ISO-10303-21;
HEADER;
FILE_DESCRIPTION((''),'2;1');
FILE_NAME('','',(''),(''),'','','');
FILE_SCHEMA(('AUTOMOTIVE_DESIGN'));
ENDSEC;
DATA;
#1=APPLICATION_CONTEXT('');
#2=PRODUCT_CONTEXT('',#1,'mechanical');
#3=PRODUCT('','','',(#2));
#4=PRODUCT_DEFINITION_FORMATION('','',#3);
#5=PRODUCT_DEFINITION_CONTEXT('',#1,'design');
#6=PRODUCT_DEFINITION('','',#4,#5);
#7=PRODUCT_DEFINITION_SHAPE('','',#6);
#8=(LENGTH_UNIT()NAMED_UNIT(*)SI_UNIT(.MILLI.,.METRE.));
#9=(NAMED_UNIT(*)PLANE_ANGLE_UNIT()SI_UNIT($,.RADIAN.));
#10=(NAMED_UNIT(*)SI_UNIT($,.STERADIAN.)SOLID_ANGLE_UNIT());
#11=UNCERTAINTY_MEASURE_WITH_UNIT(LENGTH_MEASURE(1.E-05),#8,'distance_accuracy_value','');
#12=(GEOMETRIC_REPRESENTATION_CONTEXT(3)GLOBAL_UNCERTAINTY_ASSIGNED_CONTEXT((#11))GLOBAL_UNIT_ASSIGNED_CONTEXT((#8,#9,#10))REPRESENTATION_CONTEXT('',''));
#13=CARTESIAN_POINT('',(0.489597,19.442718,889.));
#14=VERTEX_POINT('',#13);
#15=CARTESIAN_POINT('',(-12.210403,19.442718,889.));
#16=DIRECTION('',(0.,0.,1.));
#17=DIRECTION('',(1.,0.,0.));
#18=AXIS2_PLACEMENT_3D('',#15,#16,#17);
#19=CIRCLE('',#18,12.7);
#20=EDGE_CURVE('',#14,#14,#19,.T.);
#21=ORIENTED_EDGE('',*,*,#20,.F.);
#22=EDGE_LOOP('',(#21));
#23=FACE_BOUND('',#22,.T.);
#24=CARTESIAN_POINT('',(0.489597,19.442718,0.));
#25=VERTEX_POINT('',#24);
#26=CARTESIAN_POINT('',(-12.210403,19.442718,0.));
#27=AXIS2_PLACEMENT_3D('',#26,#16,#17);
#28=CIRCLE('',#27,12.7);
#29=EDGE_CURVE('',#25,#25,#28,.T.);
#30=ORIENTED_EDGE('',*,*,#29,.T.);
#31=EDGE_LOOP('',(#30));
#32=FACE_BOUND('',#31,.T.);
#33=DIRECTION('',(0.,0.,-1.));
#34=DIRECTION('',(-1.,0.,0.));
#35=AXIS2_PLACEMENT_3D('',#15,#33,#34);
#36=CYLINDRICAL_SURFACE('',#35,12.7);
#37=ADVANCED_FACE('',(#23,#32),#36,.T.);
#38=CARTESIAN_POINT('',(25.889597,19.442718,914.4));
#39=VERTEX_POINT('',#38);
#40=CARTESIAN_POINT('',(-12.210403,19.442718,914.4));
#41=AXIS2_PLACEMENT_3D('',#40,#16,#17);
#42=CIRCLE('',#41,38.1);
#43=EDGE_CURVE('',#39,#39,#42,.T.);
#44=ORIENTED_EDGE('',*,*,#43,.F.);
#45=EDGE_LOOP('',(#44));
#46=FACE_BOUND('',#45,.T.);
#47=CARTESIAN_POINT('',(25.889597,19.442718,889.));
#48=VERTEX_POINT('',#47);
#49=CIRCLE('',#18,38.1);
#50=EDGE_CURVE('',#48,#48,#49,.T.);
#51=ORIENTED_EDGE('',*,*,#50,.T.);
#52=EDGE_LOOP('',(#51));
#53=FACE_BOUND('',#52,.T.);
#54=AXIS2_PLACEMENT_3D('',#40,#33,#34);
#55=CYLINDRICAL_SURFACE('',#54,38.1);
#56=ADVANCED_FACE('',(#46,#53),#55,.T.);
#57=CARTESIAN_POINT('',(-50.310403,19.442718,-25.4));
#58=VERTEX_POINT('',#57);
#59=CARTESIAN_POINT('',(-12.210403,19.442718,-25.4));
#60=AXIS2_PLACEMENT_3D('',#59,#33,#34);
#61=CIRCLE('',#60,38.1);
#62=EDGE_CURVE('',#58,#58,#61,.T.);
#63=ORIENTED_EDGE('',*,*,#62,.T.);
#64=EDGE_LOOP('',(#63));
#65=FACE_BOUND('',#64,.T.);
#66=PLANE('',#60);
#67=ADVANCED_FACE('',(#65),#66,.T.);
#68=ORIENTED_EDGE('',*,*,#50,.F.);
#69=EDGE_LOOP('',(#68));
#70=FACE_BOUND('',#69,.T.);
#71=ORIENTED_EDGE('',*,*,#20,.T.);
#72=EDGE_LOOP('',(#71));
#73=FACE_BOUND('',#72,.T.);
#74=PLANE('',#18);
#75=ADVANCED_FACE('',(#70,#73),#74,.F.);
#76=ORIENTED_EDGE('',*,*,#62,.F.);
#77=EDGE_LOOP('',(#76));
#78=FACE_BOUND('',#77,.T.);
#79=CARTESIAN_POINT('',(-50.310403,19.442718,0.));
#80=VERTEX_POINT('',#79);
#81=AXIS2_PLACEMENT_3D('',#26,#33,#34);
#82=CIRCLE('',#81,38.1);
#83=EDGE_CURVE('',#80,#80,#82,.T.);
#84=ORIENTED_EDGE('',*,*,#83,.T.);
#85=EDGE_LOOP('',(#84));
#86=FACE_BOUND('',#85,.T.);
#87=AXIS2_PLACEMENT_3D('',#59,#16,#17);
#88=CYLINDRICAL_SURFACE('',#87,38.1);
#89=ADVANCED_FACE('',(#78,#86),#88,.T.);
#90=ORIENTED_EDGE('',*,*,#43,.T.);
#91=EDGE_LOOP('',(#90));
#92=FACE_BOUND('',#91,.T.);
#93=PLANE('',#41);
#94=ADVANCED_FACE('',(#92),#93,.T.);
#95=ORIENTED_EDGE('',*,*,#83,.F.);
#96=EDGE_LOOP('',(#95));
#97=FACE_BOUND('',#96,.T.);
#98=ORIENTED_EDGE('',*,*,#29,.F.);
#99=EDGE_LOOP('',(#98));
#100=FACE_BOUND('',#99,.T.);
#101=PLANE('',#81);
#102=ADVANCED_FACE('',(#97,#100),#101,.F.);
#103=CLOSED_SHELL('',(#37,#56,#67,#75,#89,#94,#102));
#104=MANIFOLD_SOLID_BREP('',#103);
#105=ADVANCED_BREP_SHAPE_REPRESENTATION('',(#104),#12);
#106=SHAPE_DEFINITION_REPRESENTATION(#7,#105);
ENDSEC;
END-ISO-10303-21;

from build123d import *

# Parameters (mm, degrees)
SKETCH1_R           = 12.7
BOSS_EXTRUDE2_DEPTH = 889
SKETCH4_R           = 38.1
BOSS_EXTRUDE4_DEPTH = 25.4
BOSS_EXTRUDE5_START = 25.4
SKETCH5_R           = 38.1
BOSS_EXTRUDE5_DEPTH = 25.4


with BuildPart() as part:
    # Sketch1 → Boss-Extrude2 (new body)
    with BuildSketch(Plane.XY):
        with Locations((-12.210402701, 19.442718147)):
            Circle(SKETCH1_R)
    extrude(amount=BOSS_EXTRUDE2_DEPTH)

    # Sketch4 → Boss-Extrude4 (add)
    with BuildSketch(Plane.XY.offset(889)):
        with Locations((-12.210402701, 19.442718147)):
            Circle(SKETCH4_R)
    extrude(amount=BOSS_EXTRUDE4_DEPTH)

    # Sketch5 → Boss-Extrude5 (add)
    with BuildSketch(Plane(origin=(0, 0, 0), x_dir=(-1, 0, 0), z_dir=(0, 0, -1)).offset(BOSS_EXTRUDE5_START)):
        with Locations(Location((12.210402701, 19.442718147, 0), (0, 0, 180))):
            Circle(SKETCH5_R)
    extrude(amount=-BOSS_EXTRUDE5_DEPTH)


solid = part.part
